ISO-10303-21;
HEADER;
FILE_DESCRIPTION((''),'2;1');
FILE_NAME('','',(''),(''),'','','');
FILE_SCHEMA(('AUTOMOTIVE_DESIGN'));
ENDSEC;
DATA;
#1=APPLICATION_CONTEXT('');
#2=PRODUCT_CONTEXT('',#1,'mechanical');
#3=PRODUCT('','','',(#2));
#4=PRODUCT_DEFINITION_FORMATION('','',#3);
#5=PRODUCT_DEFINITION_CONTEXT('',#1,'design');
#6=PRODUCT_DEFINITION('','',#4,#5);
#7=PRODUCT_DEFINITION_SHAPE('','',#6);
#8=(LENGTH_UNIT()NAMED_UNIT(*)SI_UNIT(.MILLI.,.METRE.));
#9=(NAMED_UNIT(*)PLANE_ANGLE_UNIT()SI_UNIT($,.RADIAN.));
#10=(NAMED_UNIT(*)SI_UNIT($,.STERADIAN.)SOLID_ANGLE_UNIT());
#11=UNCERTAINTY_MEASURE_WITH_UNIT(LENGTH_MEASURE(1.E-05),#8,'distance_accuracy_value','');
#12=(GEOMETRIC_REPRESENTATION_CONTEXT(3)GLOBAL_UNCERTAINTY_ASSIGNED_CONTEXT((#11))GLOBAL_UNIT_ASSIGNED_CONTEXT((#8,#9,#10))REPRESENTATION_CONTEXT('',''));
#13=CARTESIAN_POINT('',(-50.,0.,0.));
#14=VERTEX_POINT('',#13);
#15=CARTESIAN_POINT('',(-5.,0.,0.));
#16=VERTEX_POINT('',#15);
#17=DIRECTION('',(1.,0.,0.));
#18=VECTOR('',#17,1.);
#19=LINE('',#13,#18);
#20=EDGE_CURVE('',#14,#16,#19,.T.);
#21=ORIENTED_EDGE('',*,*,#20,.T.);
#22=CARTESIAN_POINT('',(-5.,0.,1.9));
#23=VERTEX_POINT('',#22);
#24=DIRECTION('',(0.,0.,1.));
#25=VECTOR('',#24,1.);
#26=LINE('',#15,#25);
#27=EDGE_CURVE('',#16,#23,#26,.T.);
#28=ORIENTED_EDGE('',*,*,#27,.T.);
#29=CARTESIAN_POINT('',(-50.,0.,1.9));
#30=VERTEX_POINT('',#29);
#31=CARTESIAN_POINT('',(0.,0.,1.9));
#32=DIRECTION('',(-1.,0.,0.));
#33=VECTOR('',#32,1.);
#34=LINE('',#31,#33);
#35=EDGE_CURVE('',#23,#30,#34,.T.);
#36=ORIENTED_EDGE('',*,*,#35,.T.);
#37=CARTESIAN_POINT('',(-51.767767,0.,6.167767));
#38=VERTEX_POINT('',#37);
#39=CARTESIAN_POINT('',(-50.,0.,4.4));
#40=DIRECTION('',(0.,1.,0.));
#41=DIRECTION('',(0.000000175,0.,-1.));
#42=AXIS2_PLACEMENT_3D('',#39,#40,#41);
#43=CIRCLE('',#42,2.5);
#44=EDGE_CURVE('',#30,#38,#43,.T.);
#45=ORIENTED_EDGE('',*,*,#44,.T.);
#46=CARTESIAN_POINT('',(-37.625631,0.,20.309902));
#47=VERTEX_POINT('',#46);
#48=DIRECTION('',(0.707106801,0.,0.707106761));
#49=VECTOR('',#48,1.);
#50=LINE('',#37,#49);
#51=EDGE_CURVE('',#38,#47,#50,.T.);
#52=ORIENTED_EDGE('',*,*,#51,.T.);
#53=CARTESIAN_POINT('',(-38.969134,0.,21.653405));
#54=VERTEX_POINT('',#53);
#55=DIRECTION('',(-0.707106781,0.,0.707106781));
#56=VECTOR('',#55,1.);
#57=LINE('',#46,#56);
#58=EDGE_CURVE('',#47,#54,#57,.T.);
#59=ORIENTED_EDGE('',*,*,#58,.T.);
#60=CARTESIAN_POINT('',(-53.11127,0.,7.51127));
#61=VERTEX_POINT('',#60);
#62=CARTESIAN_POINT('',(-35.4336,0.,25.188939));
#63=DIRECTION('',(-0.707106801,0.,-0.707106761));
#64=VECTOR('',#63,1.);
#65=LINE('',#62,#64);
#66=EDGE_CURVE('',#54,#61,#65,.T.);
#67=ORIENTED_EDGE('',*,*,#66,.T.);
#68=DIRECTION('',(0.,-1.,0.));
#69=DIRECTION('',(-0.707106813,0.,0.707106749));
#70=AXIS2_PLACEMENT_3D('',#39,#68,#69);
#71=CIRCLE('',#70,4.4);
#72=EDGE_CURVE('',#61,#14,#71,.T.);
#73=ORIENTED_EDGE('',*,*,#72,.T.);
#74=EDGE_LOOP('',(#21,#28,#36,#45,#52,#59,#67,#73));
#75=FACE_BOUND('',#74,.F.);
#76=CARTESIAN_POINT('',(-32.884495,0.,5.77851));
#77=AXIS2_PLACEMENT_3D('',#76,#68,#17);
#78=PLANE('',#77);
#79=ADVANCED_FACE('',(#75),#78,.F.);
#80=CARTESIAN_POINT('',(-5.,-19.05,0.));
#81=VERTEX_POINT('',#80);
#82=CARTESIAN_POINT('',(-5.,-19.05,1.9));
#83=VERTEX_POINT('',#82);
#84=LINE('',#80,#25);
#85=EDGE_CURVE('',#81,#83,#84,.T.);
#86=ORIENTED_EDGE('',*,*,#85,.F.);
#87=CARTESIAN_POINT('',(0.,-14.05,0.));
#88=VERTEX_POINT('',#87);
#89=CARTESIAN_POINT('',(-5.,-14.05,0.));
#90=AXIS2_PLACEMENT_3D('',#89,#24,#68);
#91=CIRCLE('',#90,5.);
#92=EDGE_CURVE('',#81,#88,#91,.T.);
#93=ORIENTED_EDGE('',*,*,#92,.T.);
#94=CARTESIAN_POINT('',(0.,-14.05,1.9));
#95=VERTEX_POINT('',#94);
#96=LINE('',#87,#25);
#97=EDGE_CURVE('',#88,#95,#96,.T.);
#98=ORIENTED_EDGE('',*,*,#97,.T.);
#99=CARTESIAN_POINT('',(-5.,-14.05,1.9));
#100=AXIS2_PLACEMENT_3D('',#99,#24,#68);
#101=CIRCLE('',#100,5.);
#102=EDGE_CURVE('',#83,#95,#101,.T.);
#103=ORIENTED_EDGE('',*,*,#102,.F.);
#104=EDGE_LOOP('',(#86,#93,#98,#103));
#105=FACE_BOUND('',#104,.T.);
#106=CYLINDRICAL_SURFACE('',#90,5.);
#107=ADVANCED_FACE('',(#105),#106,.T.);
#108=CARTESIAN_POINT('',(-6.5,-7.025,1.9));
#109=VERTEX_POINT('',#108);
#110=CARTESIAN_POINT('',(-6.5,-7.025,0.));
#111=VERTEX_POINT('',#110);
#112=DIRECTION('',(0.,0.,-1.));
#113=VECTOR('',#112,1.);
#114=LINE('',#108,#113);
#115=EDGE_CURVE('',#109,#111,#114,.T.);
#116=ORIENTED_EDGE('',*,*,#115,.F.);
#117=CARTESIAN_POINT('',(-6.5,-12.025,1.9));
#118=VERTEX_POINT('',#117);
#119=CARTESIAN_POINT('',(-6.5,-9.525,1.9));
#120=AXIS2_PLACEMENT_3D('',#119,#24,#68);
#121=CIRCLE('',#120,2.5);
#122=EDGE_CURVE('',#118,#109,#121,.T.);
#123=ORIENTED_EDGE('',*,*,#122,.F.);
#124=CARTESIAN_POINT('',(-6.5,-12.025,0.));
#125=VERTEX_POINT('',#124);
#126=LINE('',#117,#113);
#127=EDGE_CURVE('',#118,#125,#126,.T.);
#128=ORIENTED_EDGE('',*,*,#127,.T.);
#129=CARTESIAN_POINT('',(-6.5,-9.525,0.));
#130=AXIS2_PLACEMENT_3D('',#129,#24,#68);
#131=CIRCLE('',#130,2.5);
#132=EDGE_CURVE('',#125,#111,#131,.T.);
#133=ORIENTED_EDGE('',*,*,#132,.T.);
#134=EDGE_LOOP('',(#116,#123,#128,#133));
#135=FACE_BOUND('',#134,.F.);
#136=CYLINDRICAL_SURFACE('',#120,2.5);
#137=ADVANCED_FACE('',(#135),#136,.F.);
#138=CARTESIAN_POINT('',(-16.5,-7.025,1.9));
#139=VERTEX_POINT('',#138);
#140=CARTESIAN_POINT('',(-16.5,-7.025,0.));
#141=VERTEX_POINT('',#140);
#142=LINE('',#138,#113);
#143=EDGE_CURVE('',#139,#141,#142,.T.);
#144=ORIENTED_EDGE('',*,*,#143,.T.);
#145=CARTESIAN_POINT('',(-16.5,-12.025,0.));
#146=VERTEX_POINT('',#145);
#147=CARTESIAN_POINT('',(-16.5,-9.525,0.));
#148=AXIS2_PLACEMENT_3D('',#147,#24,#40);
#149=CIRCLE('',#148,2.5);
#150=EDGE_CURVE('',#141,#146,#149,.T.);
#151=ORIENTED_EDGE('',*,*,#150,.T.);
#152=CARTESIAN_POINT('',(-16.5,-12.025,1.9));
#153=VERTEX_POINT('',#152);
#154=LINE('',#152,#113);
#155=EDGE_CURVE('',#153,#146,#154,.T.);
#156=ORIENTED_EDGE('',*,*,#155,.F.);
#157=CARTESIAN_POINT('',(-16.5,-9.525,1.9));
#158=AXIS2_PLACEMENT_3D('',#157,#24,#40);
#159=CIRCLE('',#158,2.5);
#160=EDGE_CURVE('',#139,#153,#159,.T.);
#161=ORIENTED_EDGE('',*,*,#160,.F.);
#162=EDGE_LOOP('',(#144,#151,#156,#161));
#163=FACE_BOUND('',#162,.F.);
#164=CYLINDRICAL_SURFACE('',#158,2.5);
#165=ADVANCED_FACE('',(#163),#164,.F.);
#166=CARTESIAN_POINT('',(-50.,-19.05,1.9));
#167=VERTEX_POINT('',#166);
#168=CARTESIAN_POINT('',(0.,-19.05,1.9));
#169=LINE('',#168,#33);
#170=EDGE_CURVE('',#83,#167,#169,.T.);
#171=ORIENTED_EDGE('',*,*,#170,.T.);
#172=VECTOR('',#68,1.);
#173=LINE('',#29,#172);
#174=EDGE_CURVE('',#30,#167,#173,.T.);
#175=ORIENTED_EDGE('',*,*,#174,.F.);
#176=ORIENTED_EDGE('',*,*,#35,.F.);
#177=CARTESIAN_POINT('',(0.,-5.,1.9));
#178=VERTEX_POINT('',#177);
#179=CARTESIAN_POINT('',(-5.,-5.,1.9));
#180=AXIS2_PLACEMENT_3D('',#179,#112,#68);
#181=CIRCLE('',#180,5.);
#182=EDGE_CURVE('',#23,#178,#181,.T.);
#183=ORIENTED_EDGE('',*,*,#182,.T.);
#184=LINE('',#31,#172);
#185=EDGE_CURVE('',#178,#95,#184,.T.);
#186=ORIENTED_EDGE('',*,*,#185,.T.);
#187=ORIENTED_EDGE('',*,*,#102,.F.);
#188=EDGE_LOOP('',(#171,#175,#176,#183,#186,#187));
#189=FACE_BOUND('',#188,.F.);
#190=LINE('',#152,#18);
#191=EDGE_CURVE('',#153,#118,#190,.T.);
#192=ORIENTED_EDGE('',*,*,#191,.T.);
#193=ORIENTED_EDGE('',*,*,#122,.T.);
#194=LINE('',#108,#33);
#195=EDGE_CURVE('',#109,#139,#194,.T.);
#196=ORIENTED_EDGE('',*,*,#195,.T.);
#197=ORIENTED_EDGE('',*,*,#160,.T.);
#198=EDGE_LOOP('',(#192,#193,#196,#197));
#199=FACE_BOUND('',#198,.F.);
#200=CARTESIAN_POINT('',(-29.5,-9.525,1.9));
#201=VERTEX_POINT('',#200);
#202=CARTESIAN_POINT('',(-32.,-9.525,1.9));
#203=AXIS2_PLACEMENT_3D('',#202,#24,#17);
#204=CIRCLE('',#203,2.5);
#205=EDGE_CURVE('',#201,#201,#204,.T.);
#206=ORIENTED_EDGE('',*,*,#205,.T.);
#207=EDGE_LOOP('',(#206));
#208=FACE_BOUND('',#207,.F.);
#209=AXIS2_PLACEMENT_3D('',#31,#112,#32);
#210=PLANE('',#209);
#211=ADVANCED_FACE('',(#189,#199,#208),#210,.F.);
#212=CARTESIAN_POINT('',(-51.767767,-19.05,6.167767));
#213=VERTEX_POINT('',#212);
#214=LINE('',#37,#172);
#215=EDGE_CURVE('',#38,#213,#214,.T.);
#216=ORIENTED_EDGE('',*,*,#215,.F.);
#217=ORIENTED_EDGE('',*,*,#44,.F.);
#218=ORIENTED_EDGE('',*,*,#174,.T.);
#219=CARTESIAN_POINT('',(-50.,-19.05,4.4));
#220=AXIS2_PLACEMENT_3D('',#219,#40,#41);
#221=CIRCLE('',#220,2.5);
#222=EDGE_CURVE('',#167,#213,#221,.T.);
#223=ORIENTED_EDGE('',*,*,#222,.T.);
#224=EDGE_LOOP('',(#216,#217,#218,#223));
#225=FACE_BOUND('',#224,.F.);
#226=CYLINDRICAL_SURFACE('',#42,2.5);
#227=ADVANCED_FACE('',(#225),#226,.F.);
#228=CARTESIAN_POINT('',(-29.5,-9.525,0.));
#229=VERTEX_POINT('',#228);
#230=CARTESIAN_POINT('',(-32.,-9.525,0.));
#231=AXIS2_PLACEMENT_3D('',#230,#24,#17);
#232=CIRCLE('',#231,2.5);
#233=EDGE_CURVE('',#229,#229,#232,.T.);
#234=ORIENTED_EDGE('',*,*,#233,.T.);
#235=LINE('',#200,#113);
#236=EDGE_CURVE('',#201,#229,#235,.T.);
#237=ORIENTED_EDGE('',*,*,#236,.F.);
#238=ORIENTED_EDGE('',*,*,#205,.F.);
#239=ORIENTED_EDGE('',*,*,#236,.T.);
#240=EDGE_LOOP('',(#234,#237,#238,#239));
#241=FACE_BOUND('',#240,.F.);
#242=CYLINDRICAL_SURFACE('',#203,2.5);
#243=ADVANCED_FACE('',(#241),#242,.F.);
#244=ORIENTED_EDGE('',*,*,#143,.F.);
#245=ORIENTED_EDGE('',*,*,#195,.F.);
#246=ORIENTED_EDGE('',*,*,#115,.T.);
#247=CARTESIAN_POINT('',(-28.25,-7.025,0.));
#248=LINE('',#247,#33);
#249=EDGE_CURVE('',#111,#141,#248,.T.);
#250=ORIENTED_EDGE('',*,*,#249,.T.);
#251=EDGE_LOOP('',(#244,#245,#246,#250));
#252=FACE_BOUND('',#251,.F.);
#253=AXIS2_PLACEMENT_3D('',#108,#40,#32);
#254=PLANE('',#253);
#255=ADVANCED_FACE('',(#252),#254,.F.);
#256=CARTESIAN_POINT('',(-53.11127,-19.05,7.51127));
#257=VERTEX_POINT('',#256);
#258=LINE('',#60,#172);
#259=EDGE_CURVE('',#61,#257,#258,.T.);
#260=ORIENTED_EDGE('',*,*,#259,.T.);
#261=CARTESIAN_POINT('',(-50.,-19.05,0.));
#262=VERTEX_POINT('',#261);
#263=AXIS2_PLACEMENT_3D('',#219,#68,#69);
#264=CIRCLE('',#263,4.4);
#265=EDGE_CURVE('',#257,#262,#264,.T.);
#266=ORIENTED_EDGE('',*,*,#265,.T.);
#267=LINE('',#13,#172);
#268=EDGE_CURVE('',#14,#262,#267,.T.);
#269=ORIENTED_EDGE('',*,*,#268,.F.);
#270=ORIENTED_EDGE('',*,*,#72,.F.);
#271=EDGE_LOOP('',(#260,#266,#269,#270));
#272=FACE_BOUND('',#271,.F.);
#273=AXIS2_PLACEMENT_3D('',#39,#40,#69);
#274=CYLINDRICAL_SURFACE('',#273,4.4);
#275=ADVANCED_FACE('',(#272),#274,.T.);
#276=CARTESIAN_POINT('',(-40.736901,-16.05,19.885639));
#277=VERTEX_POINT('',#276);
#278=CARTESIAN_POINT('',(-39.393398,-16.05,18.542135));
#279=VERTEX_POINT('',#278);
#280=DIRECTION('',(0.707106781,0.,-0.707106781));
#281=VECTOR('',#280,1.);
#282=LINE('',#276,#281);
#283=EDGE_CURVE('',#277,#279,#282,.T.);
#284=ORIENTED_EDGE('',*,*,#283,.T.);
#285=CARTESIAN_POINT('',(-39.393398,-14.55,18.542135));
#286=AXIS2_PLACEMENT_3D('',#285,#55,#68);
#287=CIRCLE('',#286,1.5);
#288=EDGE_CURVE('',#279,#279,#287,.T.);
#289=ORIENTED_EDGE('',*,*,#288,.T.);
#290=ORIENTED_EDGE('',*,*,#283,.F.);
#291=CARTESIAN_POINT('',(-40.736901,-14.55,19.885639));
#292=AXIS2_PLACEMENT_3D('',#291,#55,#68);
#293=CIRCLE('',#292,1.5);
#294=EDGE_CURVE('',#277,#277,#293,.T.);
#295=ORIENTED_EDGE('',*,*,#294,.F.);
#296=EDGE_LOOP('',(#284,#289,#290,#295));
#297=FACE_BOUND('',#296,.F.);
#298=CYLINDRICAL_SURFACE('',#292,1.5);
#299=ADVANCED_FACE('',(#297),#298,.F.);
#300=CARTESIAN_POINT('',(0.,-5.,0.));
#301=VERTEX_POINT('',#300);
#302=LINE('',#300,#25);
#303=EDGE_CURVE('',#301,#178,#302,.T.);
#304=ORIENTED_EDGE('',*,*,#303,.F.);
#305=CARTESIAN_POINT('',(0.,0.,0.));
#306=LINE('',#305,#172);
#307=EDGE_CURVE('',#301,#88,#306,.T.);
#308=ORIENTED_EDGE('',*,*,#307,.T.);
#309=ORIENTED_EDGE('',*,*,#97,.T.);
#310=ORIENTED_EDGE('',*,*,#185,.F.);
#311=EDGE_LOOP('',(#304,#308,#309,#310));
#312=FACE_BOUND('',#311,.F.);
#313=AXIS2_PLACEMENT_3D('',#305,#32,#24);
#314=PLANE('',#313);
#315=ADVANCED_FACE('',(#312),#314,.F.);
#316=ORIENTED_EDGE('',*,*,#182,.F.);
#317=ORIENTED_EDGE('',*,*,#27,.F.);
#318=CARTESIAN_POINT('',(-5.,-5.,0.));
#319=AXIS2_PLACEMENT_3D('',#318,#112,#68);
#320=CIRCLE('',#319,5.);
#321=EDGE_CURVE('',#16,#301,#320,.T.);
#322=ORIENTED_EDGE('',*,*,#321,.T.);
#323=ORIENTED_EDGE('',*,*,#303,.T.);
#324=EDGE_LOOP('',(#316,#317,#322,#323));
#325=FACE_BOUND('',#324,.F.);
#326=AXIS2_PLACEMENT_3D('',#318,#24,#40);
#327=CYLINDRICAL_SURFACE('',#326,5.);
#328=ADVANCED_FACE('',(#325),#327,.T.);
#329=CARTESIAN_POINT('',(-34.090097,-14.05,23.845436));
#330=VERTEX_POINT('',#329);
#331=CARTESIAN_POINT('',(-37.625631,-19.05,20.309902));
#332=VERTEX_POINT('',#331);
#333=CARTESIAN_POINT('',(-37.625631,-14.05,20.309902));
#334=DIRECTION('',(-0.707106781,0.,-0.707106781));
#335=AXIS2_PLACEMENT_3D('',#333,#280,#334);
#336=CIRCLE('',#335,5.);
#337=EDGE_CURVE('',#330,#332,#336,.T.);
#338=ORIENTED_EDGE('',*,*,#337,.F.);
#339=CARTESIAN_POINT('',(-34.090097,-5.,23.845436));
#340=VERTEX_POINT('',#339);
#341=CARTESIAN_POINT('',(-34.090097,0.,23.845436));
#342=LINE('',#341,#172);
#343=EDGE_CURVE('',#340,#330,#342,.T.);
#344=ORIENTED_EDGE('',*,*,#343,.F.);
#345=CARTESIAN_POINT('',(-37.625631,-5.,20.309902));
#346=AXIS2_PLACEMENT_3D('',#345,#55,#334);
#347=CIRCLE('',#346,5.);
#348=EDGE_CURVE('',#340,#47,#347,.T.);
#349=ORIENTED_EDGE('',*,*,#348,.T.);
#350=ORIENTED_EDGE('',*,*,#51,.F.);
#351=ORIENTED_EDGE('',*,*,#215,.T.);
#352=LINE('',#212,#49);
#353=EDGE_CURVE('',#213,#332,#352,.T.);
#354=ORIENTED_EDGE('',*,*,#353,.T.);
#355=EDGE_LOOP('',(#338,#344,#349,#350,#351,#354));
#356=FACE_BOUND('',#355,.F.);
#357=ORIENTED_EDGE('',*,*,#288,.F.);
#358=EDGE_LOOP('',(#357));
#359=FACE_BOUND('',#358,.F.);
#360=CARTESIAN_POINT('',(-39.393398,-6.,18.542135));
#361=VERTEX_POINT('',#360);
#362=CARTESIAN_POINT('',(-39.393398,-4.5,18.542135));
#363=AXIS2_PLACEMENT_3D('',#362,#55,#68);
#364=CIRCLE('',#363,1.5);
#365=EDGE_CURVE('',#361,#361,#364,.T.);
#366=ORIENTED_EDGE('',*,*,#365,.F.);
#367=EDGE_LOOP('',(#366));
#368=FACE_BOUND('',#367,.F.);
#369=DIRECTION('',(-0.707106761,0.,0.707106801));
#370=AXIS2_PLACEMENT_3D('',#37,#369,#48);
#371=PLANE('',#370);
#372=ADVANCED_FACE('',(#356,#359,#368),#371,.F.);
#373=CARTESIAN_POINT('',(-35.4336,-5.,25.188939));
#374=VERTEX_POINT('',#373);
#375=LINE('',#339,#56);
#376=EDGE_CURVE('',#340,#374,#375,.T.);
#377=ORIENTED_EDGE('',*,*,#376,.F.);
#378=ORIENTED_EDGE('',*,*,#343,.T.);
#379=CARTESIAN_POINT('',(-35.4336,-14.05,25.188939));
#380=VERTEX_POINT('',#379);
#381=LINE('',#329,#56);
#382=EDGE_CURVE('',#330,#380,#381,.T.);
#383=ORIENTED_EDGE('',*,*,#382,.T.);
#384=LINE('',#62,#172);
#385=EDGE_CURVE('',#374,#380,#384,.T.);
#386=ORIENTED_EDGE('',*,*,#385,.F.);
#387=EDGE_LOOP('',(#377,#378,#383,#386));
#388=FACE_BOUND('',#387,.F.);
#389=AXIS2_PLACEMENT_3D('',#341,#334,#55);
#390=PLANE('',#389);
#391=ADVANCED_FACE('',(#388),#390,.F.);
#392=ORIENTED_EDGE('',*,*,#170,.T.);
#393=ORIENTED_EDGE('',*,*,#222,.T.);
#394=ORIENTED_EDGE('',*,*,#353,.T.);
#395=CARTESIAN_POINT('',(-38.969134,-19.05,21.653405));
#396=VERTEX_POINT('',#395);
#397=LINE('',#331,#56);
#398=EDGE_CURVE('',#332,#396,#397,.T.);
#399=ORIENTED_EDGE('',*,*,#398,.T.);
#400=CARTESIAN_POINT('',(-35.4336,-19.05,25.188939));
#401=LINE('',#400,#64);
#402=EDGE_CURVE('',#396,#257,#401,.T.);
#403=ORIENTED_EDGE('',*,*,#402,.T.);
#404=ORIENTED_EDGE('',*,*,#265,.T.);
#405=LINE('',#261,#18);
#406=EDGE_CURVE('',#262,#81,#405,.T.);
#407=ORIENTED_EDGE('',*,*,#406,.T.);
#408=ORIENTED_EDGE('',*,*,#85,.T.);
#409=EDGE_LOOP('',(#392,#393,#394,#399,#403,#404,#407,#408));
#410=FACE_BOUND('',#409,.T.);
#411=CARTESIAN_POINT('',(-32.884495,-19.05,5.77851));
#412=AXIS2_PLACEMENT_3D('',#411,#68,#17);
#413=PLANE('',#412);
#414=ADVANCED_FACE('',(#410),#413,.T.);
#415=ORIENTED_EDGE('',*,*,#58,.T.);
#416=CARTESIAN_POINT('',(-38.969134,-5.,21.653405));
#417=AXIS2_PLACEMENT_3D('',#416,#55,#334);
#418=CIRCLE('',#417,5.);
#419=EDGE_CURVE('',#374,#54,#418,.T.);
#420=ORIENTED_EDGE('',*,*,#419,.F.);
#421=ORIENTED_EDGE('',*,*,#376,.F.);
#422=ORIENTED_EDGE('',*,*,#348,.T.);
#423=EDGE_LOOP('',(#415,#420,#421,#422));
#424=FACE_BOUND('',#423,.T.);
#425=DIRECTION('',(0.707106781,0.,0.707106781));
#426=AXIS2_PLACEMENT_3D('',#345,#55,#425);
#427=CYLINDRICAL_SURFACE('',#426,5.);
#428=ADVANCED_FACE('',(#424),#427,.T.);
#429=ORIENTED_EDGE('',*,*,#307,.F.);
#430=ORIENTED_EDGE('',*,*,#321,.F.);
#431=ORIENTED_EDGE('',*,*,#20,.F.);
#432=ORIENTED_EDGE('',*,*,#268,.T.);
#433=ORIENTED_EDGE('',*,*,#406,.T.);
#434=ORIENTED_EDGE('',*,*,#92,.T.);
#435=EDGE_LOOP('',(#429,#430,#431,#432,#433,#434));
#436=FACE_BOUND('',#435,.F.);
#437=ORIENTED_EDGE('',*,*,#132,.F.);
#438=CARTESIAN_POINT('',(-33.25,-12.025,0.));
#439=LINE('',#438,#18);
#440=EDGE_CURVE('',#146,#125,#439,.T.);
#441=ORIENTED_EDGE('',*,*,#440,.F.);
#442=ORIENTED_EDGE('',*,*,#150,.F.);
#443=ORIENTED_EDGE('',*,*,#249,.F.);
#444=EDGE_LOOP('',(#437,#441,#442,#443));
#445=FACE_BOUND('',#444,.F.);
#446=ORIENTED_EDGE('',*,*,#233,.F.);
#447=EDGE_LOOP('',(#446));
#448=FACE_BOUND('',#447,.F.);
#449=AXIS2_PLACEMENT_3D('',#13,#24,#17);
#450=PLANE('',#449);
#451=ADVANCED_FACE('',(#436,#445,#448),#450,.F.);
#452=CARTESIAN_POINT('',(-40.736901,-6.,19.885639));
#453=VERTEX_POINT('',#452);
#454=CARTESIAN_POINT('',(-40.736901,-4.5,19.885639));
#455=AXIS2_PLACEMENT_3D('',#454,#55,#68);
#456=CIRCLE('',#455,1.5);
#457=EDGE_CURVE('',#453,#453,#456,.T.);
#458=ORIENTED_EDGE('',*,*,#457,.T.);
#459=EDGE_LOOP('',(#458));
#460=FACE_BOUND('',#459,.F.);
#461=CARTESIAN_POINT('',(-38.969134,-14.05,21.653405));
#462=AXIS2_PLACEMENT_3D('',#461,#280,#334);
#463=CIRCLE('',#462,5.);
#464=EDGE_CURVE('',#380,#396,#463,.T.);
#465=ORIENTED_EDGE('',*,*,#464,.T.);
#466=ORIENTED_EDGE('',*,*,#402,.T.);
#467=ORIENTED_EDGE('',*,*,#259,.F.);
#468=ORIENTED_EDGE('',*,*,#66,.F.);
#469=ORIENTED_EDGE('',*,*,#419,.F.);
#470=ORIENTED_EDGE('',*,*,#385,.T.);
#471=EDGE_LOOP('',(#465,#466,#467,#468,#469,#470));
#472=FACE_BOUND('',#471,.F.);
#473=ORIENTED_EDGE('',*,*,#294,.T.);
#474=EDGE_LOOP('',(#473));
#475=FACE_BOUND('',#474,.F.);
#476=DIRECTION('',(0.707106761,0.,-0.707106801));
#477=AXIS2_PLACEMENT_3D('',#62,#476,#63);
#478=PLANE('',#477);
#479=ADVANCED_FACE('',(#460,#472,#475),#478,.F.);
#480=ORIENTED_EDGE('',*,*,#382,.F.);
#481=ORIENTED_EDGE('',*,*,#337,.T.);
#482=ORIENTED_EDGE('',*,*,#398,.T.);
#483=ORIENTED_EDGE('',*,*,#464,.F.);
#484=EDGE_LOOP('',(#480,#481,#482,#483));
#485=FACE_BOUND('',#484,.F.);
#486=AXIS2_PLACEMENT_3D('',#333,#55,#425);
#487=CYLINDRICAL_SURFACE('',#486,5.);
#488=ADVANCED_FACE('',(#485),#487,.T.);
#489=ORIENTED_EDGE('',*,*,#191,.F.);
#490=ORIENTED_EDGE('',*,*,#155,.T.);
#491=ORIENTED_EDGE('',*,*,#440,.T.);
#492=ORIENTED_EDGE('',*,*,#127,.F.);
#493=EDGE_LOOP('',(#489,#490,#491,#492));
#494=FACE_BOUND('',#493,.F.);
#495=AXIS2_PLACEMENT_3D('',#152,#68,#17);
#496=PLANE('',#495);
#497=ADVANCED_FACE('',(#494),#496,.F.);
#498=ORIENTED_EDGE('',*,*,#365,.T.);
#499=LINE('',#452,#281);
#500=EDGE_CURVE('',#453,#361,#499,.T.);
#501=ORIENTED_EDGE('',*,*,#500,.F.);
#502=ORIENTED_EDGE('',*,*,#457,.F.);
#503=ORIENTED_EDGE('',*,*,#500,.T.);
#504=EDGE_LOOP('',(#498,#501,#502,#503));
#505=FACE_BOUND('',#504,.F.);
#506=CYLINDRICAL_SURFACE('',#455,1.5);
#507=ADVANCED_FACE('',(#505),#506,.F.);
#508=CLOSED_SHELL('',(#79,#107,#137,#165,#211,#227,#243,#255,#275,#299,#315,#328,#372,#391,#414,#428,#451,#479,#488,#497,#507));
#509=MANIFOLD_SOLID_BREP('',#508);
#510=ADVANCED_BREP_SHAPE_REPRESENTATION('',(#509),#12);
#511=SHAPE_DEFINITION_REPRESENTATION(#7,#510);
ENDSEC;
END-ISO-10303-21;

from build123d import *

# Parameters (mm, degrees)
F1_DEPTH = 19.05
F2_R     = 2.5
F3_DEPTH = 25
F4_R     = 1.5
F5_DEPTH = 7
F6_R     = 5


with BuildPart() as f1:
    # F0 (on Front) → F1 (new body)
    with BuildSketch(Plane.XZ):
        with BuildLine():
            Line((-35.4336, 25.188939), (-53.11127, 7.51127))
            ThreePointArc((-53.11127, 7.51127), (-54.06507, 2.716193), (-50, 0))
            Line((-50, 0), (0, 0))
            Line((0, 0), (0, 1.9))
            Line((0, 1.9), (-50, 1.9))
            ThreePointArc((-50, 1.9), (-52.309699, 3.443291), (-51.767767, 6.167767))
            Line((-51.767767, 6.167767), (-34.090097, 23.845436))
            Line((-34.090097, 23.845436), (-35.4336, 25.188939))
        make_face()
    extrude(amount=F1_DEPTH)

    # F2 (on face) → F3 (cut)
    with BuildSketch(Plane.XY.offset(1.9)):
        with Locations((-32, -9.525)):
            Circle(F2_R)
        with BuildLine():
            Line((-16.5, -12.025), (-6.5, -12.025))
            ThreePointArc((-6.5, -12.025), (-4, -9.525), (-6.5, -7.025))
            Line((-6.5, -7.025), (-16.5, -7.025))
            ThreePointArc((-16.5, -7.025), (-19, -9.525), (-16.5, -12.025))
        make_face()
    extrude(amount=-F3_DEPTH, mode=Mode.SUBTRACT)

    # F4 (on face) → F5 (cut)
    with BuildSketch(Plane(origin=(-30.31127, 0, 30.31127), x_dir=(0, -1, 0), z_dir=(-0.707107, 0, 0.707107))):
        with Locations((14.55, -14.744069)):
            Circle(F4_R)
        with Locations((4.5, -14.744069)):
            Circle(F4_R)
    extrude(amount=-F5_DEPTH, mode=Mode.SUBTRACT)

    # F6
    f6_edges = [f1.edges().sort_by_distance(p)[0] for p in [
        (0, -19.05, 0.95),
        (0, 0, 0.95),
        (-34.761849, -19.05, 24.517188),
        (-34.761849, 0, 24.517188),
    ]]
    fillet(f6_edges, radius=F6_R)


solid = f1.part
